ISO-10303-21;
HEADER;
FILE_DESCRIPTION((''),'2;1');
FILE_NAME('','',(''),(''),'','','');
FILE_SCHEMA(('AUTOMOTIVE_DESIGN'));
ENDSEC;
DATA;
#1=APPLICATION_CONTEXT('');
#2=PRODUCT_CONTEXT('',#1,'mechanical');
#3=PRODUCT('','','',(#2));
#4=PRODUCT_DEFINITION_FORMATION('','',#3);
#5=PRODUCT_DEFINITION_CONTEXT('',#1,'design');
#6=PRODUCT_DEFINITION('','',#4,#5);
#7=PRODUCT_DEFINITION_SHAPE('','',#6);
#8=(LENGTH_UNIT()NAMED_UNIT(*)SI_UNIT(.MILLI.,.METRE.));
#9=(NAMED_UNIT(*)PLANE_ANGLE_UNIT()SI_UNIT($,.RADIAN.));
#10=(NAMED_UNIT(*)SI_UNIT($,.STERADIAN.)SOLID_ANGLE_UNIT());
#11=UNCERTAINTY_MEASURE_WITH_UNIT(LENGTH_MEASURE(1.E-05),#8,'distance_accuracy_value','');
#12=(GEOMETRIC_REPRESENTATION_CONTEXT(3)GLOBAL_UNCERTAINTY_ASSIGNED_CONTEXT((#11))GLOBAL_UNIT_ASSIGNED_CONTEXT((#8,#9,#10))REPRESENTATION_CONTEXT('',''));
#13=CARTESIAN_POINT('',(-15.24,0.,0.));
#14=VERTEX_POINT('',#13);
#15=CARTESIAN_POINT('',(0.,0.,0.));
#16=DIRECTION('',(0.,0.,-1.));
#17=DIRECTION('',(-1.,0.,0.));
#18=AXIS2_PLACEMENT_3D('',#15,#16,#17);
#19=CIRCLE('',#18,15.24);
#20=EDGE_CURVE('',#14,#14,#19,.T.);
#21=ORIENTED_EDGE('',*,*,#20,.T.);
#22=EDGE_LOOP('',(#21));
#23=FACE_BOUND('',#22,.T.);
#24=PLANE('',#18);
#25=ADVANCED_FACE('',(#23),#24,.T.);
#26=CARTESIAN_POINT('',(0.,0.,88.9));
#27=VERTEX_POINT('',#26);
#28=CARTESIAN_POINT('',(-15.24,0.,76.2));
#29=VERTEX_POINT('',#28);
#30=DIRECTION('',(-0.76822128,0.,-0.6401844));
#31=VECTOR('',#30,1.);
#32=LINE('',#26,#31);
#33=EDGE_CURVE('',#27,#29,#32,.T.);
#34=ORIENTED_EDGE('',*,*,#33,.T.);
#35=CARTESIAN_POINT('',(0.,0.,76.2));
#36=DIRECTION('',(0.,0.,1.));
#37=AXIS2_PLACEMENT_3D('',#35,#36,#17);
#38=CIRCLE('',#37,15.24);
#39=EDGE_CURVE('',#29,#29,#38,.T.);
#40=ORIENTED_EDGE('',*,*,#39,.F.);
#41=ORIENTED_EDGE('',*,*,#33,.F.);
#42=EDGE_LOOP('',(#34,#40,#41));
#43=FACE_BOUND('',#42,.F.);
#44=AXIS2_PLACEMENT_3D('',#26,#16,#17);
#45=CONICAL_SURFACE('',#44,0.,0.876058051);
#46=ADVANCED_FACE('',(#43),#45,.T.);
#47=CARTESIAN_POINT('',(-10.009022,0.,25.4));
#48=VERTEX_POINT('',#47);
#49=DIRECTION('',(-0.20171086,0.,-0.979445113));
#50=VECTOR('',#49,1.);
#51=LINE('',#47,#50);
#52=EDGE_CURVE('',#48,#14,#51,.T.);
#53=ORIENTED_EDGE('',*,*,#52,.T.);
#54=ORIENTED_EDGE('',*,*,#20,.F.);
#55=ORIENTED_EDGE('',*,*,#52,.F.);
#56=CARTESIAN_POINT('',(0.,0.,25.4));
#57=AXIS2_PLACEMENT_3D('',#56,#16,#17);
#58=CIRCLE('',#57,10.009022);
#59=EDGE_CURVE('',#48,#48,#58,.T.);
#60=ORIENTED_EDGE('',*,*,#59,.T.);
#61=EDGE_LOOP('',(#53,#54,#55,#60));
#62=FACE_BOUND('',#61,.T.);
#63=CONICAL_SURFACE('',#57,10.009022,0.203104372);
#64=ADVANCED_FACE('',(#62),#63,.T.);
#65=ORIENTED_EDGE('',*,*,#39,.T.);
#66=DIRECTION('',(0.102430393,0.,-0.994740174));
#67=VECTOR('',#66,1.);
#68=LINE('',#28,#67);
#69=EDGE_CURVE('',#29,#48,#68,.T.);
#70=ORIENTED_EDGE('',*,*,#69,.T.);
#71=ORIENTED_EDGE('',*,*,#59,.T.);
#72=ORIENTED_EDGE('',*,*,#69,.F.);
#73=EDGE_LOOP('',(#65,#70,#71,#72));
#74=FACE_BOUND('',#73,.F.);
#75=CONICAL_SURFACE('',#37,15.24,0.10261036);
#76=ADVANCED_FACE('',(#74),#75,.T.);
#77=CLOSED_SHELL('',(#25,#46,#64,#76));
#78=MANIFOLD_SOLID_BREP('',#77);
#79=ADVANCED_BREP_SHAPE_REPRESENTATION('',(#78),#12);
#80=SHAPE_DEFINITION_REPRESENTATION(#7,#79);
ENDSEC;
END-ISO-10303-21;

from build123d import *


with BuildPart() as f1:
    # F0 (on Front) → F1 (revolve)
    with BuildSketch(Plane.XZ):
        Polygon((-15.24, 0), (0, 0), (0, 25.4), (-10.009022, 25.4), align=None)
    revolve(axis=Axis((0, 0, 12.7), (0, 0, -1)))

    # F2 (on Front) → F3 (revolve)
    with BuildSketch(Plane.XZ):
        Polygon((-15.24, 76.2), (-10.009022, 25.4), (0, 25.4), (0, 76.2), align=None)
    revolve(axis=Axis((0, 0, 50.8), (0, 0, 1)))

    # F4 (on Front) → F5 (revolve)
    with BuildSketch(Plane.XZ):
        Polygon((-15.24, 76.2), (0, 76.2), (0, 88.9), align=None)
    revolve(axis=Axis((0, 0, 82.55), (0, 0, 1)))


solid = f1.part
